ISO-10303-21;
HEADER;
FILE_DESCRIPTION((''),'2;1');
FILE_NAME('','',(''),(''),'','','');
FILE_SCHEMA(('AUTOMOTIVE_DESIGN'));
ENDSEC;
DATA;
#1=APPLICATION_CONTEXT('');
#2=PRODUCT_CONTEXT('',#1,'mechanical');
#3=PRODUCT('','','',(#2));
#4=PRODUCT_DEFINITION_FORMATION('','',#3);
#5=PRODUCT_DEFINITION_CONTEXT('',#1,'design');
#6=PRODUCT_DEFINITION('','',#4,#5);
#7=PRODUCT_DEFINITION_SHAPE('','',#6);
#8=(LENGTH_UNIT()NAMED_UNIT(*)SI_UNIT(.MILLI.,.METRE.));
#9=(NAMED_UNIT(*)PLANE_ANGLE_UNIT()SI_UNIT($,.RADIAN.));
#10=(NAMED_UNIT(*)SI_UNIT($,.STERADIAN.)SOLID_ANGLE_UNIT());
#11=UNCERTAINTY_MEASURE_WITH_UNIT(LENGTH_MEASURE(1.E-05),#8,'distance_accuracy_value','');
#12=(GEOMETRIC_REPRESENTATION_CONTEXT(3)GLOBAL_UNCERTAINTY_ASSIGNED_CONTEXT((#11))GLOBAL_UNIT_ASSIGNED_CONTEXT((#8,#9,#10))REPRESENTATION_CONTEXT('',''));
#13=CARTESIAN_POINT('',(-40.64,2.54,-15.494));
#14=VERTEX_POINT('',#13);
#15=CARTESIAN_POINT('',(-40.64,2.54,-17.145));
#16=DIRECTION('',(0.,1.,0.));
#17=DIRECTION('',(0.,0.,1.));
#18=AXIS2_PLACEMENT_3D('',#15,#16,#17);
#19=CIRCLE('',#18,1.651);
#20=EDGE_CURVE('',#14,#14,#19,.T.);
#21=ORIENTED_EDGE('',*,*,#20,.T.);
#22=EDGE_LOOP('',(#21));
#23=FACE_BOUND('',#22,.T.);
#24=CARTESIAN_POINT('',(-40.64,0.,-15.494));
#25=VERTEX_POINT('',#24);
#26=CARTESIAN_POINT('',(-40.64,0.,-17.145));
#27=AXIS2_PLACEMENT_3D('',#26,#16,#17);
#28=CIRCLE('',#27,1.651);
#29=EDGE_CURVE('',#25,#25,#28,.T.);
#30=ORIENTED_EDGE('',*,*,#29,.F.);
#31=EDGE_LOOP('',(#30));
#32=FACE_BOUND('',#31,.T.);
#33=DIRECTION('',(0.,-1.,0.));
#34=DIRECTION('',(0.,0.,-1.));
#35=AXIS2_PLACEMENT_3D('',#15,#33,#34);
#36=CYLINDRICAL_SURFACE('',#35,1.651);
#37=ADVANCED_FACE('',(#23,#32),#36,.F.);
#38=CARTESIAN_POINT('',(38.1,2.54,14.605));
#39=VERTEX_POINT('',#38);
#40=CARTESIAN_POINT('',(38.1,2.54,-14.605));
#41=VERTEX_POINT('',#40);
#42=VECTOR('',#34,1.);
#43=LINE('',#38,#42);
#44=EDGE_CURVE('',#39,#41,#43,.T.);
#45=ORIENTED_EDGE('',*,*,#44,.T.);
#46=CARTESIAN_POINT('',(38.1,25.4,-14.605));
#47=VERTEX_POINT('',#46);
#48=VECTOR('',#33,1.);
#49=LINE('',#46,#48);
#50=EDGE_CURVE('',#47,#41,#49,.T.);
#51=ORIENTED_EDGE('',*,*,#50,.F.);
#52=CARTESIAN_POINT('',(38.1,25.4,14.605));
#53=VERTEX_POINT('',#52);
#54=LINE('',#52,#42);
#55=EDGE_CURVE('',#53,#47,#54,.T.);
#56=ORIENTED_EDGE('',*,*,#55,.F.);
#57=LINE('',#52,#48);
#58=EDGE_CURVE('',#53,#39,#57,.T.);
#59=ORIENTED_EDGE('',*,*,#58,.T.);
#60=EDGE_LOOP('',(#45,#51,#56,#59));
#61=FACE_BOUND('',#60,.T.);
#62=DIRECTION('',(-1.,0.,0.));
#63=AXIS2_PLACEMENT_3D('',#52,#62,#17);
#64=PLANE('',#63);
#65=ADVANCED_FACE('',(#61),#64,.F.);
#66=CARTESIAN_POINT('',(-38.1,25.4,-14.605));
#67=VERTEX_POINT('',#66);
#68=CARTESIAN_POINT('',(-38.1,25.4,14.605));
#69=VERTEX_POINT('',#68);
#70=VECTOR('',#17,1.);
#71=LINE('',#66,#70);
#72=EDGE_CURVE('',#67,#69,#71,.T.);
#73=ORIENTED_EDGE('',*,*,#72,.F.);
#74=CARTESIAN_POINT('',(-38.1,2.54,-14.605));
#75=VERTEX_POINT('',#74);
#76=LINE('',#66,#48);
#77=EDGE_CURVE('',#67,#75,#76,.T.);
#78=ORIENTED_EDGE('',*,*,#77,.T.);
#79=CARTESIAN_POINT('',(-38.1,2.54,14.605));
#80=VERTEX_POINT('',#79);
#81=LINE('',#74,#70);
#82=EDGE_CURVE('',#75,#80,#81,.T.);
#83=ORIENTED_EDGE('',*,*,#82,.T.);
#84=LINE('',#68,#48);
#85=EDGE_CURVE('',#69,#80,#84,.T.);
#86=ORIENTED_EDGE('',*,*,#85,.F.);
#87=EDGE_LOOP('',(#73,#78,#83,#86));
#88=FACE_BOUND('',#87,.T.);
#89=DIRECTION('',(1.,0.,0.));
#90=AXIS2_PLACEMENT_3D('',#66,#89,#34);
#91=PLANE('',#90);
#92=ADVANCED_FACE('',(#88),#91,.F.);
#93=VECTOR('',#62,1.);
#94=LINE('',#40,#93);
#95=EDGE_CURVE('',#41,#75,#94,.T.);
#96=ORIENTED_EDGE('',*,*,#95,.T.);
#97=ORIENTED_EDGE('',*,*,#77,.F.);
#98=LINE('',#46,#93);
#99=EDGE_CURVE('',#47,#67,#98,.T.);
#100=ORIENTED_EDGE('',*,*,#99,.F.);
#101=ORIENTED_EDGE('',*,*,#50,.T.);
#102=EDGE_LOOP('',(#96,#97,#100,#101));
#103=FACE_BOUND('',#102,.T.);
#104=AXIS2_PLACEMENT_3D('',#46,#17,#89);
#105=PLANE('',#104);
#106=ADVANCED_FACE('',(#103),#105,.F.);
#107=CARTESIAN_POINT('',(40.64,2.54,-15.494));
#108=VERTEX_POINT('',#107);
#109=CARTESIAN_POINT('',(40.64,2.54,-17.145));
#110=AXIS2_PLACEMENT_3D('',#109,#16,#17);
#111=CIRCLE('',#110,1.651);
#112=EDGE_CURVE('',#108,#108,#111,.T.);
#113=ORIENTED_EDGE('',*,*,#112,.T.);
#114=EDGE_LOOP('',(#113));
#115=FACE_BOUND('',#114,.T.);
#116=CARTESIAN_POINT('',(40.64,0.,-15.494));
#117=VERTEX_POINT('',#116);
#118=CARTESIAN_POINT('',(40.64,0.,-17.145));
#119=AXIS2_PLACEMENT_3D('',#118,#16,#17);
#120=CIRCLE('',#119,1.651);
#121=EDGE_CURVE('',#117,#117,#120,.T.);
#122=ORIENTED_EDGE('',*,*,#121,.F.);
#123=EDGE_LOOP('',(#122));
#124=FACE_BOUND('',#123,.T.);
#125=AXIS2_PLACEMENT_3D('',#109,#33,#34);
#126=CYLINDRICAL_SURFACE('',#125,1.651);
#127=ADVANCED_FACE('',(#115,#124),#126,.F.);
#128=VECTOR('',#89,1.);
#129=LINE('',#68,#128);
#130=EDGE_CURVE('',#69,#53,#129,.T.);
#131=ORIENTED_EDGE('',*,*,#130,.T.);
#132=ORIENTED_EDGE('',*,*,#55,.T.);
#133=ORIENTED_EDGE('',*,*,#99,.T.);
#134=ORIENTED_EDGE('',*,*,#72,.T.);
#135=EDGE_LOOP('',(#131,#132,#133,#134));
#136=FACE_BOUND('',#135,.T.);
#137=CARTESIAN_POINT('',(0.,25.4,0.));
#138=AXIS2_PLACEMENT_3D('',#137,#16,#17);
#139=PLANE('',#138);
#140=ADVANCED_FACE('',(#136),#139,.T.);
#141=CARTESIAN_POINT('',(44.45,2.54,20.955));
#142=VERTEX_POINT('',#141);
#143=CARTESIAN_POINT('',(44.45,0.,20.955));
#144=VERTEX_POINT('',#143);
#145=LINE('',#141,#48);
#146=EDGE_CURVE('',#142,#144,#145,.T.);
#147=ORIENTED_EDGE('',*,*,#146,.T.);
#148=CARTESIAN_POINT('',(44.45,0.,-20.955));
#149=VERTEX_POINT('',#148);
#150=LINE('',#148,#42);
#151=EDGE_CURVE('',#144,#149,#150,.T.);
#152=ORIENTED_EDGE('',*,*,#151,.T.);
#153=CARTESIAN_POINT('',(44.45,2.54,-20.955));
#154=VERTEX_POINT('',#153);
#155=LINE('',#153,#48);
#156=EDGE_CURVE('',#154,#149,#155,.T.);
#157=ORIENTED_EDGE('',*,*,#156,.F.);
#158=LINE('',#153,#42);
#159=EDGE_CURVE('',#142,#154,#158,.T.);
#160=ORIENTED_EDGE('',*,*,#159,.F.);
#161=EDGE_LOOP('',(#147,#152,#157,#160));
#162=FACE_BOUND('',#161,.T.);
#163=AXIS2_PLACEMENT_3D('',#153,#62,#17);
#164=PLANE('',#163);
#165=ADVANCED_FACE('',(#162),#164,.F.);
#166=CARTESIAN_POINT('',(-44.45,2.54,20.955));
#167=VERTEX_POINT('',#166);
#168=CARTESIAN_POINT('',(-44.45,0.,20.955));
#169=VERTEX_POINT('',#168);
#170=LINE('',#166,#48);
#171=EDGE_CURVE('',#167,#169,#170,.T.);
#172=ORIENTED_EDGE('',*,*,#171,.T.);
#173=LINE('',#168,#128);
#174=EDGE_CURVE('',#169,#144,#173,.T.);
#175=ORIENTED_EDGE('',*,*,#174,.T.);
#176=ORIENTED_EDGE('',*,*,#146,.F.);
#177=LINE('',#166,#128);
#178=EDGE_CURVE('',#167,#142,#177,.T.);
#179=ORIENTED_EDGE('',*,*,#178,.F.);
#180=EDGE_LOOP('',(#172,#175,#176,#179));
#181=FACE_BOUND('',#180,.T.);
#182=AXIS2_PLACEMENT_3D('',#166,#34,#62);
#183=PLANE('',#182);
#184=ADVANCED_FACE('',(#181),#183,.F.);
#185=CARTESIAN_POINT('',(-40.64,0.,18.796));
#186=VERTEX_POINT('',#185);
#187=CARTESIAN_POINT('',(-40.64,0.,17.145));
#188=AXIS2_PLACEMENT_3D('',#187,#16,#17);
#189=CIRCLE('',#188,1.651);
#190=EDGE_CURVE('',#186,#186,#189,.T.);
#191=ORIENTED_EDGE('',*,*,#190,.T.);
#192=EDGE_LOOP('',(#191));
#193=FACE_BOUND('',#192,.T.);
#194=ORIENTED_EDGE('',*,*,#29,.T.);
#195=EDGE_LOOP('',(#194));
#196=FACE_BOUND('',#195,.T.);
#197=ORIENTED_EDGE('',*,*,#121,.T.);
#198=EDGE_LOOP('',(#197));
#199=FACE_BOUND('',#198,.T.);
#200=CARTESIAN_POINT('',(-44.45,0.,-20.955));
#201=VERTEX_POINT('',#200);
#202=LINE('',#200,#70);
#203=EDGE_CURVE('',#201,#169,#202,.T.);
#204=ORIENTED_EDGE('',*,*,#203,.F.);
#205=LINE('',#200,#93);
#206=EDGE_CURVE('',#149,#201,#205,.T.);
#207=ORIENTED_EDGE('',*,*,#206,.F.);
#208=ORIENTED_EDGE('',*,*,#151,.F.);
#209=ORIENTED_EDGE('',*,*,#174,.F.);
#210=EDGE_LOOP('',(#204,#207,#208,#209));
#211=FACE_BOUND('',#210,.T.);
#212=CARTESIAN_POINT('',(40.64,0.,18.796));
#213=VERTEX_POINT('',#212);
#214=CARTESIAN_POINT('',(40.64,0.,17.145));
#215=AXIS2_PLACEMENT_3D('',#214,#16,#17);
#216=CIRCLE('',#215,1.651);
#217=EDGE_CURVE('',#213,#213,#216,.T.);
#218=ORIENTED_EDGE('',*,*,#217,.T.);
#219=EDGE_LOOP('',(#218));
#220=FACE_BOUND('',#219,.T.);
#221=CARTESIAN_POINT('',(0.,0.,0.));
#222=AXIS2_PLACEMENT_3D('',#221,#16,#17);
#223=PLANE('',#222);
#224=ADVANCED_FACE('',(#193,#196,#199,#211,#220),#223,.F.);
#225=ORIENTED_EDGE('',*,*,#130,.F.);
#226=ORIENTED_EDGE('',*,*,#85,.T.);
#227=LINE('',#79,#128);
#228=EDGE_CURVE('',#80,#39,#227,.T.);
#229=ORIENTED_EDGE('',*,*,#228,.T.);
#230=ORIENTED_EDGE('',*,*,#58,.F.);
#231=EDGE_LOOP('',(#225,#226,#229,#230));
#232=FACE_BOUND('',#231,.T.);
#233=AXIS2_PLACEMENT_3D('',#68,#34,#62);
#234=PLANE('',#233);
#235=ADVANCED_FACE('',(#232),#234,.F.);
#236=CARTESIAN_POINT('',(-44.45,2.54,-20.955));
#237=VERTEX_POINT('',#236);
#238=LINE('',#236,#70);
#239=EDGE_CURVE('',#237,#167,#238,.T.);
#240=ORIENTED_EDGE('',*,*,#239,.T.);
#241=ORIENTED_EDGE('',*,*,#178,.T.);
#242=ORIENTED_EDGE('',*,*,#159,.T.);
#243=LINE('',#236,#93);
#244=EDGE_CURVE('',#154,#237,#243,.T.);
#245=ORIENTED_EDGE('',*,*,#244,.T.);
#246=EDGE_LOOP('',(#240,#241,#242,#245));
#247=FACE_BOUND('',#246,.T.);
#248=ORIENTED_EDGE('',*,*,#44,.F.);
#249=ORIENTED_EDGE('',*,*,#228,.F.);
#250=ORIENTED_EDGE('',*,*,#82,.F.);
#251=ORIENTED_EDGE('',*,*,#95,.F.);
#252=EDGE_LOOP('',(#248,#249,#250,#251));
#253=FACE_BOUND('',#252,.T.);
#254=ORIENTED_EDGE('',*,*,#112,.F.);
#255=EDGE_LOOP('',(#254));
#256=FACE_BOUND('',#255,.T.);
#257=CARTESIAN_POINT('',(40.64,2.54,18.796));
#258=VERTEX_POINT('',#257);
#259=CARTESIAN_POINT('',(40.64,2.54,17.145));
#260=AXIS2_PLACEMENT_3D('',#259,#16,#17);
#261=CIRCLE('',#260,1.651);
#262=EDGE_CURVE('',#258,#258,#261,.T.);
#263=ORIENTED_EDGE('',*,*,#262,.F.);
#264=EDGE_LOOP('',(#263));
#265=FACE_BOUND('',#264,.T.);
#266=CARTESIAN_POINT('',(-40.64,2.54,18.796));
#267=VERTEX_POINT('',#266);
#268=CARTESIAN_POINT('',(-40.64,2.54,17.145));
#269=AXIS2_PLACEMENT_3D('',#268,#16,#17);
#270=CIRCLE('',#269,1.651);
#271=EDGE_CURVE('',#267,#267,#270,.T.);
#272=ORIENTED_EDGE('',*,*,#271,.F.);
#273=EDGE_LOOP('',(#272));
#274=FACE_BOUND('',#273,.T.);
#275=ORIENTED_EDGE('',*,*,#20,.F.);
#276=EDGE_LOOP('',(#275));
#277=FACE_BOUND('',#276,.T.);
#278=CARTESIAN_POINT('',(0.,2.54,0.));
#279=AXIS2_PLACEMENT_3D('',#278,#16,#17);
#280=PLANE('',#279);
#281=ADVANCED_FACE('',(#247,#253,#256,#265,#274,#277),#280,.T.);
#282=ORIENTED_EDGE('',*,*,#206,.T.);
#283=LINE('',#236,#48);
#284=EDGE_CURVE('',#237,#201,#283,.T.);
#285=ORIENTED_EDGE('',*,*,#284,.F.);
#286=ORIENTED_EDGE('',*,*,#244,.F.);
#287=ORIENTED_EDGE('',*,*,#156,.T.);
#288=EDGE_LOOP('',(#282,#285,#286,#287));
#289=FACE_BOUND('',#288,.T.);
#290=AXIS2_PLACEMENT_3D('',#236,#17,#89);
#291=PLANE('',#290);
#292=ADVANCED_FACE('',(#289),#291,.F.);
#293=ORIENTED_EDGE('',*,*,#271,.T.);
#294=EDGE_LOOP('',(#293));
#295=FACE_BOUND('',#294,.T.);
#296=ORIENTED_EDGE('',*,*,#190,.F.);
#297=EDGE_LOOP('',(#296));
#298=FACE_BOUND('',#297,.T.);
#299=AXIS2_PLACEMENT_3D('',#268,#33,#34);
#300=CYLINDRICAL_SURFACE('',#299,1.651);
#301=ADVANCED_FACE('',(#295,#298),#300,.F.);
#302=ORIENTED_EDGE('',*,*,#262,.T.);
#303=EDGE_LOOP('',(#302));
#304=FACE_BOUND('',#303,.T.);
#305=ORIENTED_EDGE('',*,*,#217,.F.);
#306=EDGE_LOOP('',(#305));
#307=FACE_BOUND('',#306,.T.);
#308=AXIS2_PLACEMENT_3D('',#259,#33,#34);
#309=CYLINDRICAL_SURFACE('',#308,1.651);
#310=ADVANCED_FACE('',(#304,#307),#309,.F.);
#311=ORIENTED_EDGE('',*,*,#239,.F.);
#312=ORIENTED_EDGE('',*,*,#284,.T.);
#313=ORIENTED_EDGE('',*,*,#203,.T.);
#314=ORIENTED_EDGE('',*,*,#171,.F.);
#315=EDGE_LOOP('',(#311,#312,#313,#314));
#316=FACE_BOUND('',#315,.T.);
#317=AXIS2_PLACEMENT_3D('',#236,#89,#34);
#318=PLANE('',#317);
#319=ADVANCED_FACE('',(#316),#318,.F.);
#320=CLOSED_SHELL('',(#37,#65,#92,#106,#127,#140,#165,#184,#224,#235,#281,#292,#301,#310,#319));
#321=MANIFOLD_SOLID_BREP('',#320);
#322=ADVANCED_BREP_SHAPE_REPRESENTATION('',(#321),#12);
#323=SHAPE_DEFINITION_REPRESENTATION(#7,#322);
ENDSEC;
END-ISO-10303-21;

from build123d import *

# Parameters (mm, degrees)
SKETCH2_W           = 88.9
SKETCH2_H           = 41.91
BOSS_EXTRUDE1_DEPTH = 2.54
SKETCH3_R           = 1.651
CUT_EXTRUDE2_DEPTH  = 50.207378766
SKETCH4_W           = 76.2
SKETCH4_H           = 29.21
BOSS_EXTRUDE2_DEPTH = 22.86


with BuildPart() as part:
    # Sketch2 → Boss-Extrude1 (new body)
    with BuildSketch(Plane(origin=(0, 0, 0), x_dir=(1, 0, 0), z_dir=(0, 1, 0))):
        Rectangle(SKETCH2_W, SKETCH2_H)
    extrude(amount=BOSS_EXTRUDE1_DEPTH)

    # Sketch3 → Cut-Extrude2 (cut, through all)
    with BuildSketch(Plane(origin=(0, 0, 0), x_dir=(1, 0, 0), z_dir=(0, 1, 0))):
        with Locations(Location((-40.64, 17.145, 0), (0, 0, 270))):
            Circle(SKETCH3_R)
        with Locations(Location((40.64, 17.145, 0), (0, 0, 270))):
            Circle(SKETCH3_R)
        with Locations(Location((40.64, -17.145, 0), (0, 0, 270))):
            Circle(SKETCH3_R)
        with Locations(Location((-40.64, -17.145, 0), (0, 0, 270))):
            Circle(SKETCH3_R)
    extrude(amount=CUT_EXTRUDE2_DEPTH, mode=Mode.SUBTRACT)

    # Sketch4 → Boss-Extrude2 (add)
    with BuildSketch(Plane(origin=(0, 2.54, 0), x_dir=(1, 0, 0), z_dir=(0, 1, 0))):
        Rectangle(SKETCH4_W, SKETCH4_H)
    extrude(amount=BOSS_EXTRUDE2_DEPTH)


solid = part.part
